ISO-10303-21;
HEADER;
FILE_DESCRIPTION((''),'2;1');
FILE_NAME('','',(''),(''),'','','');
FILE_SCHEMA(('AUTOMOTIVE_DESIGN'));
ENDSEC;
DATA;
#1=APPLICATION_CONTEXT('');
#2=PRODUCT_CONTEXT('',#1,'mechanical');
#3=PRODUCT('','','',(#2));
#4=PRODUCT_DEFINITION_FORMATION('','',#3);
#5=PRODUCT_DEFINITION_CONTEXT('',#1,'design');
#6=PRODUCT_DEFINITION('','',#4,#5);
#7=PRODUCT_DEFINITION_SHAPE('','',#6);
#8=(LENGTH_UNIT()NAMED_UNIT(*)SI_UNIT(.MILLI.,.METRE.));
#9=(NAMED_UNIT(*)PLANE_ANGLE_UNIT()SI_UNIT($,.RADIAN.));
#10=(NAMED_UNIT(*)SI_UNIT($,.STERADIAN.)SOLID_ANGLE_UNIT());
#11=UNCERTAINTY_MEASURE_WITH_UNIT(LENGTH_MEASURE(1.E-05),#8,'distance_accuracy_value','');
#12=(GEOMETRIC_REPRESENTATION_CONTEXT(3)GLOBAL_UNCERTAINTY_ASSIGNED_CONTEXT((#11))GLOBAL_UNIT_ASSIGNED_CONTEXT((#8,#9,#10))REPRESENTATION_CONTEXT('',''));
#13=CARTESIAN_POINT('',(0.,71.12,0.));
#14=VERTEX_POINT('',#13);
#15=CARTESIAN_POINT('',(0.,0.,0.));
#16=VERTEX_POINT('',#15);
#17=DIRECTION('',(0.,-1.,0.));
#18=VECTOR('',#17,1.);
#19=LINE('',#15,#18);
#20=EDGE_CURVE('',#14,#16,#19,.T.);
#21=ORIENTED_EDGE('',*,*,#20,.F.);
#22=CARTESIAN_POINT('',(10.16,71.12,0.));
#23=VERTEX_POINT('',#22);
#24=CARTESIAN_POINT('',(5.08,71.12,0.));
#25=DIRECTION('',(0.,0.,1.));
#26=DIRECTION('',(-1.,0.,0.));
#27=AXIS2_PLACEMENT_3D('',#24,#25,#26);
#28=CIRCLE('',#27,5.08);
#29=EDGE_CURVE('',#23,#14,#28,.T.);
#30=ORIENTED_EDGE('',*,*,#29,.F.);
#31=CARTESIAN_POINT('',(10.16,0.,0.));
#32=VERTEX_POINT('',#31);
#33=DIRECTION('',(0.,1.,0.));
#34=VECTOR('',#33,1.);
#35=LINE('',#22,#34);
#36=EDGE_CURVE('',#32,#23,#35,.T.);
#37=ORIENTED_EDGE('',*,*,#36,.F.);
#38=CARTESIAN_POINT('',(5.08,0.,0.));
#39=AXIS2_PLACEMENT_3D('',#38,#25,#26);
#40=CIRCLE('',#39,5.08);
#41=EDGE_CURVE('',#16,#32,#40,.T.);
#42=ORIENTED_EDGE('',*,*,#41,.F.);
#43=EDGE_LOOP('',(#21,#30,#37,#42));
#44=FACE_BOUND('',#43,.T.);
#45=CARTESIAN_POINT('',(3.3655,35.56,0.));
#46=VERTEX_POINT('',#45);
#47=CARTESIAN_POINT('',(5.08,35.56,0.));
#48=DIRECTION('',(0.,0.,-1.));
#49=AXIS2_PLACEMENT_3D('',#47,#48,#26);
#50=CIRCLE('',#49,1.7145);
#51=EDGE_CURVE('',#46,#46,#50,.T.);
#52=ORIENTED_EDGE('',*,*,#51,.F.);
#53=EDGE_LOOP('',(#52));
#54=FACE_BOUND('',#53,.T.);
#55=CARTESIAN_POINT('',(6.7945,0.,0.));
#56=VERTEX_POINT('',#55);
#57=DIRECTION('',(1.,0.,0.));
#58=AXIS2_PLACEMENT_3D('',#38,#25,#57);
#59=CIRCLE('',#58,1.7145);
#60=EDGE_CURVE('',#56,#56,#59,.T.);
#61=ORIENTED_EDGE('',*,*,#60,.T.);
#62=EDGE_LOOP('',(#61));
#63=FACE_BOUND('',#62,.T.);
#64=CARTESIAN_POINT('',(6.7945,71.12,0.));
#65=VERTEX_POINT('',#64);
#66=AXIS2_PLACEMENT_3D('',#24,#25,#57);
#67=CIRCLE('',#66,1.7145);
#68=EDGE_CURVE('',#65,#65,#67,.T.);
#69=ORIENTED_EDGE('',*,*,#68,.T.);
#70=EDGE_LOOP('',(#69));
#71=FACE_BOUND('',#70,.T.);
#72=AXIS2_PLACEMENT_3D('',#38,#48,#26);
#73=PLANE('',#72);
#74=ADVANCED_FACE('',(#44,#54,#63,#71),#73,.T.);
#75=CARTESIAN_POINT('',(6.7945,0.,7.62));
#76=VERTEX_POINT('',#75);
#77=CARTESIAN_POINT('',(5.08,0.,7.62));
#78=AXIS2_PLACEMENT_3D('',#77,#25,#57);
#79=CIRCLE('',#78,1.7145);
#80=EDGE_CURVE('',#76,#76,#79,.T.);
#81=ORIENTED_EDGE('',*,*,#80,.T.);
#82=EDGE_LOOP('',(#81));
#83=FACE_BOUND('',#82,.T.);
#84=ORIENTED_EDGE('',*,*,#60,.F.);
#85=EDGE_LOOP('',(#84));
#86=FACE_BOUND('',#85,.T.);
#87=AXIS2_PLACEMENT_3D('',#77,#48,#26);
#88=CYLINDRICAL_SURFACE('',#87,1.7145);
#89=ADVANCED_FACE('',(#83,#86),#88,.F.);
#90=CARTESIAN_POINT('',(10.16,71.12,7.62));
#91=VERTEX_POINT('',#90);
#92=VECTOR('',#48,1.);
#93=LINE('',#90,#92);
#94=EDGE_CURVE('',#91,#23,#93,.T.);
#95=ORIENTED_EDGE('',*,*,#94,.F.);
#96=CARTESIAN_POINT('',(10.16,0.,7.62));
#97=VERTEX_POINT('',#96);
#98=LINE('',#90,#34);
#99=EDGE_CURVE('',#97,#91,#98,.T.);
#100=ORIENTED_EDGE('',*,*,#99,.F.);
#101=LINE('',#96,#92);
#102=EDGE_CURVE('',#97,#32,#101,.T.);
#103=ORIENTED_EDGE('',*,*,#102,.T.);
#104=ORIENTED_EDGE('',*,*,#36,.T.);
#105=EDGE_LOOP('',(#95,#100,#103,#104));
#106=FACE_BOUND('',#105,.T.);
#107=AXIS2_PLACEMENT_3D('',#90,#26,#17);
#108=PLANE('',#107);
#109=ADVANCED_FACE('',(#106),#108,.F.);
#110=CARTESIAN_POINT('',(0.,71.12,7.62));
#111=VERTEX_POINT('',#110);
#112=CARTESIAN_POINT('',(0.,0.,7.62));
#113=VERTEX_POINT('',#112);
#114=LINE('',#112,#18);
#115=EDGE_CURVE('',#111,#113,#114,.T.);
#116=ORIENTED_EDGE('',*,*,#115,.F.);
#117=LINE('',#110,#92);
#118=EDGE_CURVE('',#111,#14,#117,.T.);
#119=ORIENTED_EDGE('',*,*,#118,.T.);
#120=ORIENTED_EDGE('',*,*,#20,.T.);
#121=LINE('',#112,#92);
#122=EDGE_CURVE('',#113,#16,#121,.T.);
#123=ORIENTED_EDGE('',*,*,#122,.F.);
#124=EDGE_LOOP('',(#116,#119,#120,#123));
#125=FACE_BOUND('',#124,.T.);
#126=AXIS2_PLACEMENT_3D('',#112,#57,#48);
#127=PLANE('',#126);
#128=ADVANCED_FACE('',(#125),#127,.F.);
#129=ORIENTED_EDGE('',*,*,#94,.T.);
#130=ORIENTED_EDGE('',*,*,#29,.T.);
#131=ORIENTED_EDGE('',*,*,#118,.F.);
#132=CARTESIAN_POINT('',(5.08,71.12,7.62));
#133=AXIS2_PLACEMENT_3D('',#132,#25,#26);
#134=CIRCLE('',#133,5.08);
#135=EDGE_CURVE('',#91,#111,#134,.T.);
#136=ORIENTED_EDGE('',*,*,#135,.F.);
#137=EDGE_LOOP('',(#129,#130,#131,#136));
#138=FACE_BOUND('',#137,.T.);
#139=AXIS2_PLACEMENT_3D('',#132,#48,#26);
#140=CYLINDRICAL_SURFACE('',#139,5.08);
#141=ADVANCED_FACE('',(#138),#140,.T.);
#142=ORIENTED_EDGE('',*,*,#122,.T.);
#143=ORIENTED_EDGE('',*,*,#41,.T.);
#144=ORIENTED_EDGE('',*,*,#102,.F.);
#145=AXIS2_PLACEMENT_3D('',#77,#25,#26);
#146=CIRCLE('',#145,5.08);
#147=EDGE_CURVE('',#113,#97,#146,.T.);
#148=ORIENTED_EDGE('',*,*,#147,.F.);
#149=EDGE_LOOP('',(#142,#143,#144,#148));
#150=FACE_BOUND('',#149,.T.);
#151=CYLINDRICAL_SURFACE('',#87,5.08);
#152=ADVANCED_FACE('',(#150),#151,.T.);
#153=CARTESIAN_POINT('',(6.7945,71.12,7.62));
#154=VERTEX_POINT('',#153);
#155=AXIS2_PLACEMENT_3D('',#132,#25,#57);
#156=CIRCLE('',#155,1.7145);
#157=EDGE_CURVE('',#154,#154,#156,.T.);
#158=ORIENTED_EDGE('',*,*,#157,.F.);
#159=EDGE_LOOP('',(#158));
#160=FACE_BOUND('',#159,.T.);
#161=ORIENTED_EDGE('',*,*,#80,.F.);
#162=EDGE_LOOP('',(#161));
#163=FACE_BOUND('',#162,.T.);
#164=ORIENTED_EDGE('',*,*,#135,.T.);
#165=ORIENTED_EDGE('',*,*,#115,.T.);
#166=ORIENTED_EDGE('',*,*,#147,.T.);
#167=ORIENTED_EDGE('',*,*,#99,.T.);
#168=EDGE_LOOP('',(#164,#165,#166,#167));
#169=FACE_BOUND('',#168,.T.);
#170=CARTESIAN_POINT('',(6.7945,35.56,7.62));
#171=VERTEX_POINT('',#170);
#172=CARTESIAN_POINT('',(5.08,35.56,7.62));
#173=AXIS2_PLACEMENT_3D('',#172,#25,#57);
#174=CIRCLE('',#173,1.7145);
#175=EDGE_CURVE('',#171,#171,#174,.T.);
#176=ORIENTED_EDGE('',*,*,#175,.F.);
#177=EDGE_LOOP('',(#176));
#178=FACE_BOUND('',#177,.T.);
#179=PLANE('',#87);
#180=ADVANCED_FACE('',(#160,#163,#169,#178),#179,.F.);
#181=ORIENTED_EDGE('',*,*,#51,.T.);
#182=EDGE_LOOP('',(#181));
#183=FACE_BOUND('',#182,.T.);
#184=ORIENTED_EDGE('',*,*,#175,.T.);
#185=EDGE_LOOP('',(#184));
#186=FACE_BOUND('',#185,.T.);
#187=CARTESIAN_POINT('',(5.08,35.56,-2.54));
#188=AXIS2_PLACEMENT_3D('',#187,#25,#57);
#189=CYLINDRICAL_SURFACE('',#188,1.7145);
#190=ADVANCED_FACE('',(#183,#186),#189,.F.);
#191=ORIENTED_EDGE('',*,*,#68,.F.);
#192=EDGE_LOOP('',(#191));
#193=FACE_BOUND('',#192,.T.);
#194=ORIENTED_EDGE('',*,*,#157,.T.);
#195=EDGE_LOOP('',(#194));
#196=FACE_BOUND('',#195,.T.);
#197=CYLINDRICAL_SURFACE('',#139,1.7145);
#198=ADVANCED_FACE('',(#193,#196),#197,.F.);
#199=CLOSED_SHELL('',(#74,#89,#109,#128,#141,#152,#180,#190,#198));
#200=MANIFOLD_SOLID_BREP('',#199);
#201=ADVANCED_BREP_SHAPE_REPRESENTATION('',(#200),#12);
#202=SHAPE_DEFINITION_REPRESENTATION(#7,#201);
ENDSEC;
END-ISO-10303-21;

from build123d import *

# Parameters (mm, degrees)
SKETCH1_R           = 1.7145
BOSS_EXTRUDE1_DEPTH = 7.62
SKETCH2_R           = 1.7145
CUT_EXTRUDE1_DEPTH  = 10.16


with BuildPart() as part:
    # Sketch1 → Boss-Extrude1 (new body)
    with BuildSketch(Plane.XY):
        with BuildLine():
            Line((0, 0), (0, 71.12))
            ThreePointArc((0, 71.12), (5.08, 76.2), (10.16, 71.12))
            Line((10.16, 71.12), (10.16, 0))
            ThreePointArc((10.16, 0), (5.08, -5.08), (0, 0))
        make_face()
        with Locations((5.08, 71.12)):
            Circle(SKETCH1_R, mode=Mode.SUBTRACT)
        with Locations((5.08, 0)):
            Circle(SKETCH1_R, mode=Mode.SUBTRACT)
    extrude(amount=BOSS_EXTRUDE1_DEPTH)

    # Sketch2 → Cut-Extrude1 (cut)
    with BuildSketch(Plane.XY.offset(7.62)):
        with Locations((5.08, 35.56)):
            Circle(SKETCH2_R)
    extrude(amount=-CUT_EXTRUDE1_DEPTH, mode=Mode.SUBTRACT)


solid = part.part
